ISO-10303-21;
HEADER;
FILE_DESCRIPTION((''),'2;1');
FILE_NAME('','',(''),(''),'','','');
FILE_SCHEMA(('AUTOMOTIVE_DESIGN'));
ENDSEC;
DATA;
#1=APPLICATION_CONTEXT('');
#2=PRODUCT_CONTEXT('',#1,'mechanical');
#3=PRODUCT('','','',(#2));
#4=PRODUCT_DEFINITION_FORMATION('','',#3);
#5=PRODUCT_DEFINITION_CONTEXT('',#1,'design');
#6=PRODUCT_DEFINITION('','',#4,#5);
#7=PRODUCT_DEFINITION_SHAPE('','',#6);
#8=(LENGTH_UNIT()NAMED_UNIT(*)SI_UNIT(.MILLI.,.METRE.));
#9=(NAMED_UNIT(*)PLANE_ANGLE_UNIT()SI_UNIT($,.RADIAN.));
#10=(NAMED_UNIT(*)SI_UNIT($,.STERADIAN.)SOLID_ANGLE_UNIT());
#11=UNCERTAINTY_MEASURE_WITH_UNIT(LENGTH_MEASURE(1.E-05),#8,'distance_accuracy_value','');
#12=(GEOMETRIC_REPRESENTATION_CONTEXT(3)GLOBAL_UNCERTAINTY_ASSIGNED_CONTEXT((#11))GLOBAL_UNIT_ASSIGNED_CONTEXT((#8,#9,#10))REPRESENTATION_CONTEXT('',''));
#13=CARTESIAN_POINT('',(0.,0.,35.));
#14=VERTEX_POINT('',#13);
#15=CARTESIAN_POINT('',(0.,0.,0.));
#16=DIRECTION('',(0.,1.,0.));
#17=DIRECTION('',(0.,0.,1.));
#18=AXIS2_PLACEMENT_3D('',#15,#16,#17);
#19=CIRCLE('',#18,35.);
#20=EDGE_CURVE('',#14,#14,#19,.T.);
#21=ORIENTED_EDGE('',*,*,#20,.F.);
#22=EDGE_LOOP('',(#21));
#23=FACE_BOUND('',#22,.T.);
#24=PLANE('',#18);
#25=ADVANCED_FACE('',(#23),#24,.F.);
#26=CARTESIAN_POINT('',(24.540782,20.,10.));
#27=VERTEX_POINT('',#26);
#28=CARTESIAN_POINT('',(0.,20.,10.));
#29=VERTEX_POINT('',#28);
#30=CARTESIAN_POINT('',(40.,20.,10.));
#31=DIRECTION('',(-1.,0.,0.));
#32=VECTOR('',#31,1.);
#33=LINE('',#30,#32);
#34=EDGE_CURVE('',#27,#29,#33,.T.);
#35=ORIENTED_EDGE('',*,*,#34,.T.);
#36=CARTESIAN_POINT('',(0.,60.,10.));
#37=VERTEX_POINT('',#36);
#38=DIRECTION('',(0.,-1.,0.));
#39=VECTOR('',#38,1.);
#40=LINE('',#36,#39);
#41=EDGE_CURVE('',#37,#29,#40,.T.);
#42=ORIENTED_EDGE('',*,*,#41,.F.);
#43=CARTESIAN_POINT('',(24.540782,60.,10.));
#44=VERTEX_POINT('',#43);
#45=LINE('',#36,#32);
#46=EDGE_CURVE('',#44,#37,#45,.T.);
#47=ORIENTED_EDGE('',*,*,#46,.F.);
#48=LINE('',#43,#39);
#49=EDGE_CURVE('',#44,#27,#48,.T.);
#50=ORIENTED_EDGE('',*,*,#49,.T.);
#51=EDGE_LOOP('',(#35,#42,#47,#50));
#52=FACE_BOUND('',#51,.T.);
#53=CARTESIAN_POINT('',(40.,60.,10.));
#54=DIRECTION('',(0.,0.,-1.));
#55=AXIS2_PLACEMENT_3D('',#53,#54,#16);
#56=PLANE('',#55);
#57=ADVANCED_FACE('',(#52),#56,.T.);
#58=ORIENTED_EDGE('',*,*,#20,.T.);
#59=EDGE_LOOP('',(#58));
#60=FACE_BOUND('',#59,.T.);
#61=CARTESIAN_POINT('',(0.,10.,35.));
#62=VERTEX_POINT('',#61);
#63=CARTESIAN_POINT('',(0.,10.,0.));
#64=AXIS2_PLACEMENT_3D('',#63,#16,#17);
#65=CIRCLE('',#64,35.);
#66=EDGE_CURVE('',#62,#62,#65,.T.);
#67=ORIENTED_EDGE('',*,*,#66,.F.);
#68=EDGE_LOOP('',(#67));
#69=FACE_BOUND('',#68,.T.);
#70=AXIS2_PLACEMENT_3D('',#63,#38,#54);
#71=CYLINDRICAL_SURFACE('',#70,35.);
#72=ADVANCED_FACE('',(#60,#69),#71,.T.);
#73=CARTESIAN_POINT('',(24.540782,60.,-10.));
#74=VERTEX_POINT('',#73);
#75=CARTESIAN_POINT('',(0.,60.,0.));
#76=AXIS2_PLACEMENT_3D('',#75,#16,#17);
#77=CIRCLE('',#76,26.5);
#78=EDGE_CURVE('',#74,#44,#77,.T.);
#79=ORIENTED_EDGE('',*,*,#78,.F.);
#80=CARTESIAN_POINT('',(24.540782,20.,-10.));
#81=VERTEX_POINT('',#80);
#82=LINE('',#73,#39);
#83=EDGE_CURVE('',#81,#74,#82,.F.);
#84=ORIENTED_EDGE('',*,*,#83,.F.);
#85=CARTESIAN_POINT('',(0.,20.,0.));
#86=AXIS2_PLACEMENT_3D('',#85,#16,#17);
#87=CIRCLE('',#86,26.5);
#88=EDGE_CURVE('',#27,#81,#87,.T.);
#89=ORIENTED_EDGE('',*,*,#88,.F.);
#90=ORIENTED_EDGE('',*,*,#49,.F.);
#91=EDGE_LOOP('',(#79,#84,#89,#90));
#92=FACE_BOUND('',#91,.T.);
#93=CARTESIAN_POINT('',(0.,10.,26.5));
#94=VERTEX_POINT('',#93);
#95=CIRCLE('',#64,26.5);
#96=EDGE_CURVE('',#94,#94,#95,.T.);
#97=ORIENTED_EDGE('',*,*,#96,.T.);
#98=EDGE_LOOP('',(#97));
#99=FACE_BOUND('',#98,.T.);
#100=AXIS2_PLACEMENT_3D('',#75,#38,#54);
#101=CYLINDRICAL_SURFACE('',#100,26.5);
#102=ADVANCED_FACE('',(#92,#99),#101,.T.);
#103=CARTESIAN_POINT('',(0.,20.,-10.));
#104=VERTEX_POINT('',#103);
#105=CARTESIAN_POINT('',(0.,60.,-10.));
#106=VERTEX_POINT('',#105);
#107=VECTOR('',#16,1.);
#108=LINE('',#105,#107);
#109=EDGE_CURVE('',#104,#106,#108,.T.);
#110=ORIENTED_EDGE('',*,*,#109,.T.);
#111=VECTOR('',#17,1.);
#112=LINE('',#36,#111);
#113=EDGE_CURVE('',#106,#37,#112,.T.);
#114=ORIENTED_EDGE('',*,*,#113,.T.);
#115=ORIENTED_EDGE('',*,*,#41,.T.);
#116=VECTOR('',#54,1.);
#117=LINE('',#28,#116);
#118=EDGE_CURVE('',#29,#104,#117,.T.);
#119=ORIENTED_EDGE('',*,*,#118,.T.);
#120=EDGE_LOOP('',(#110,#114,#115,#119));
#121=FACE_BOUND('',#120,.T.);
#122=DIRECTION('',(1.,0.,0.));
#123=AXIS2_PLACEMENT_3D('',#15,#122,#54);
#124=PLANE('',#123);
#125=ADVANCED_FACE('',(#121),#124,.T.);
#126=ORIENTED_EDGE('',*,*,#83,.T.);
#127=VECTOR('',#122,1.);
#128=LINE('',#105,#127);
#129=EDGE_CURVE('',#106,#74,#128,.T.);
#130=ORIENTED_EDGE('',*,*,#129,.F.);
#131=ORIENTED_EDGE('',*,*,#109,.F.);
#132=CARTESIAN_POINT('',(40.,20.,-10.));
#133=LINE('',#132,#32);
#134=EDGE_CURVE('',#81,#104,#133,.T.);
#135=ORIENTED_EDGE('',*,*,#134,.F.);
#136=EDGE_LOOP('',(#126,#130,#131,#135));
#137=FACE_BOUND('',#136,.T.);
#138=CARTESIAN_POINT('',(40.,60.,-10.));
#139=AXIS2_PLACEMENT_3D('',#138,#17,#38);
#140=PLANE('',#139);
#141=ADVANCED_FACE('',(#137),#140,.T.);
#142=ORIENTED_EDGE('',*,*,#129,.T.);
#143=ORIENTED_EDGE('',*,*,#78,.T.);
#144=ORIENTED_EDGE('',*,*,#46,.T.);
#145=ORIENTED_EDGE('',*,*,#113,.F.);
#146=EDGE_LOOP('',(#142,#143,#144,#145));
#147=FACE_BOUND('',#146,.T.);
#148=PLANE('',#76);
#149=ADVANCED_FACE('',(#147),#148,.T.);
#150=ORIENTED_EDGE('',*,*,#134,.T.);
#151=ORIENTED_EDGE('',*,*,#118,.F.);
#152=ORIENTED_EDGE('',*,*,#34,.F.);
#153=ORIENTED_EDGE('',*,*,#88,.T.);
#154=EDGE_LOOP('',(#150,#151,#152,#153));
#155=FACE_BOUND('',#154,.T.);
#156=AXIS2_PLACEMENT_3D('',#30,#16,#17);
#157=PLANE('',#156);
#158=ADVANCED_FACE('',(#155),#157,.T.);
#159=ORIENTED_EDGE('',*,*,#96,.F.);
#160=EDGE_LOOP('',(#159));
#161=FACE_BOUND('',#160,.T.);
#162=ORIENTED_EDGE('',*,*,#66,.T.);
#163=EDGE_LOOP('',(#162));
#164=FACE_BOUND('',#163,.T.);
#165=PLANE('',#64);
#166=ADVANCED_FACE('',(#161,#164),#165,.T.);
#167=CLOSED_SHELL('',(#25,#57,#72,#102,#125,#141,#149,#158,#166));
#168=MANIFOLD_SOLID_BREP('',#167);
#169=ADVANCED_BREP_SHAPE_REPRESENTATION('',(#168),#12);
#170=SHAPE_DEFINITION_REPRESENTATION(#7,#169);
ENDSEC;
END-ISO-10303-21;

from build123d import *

# Parameters (mm, degrees)
CROQUIS1_R              = 35
SALIENTE_EXTRUIR1_DEPTH = 10
CROQUIS2_R              = 26.5
SALIENTE_EXTRUIR3_DEPTH = 50
CROQUIS4_W              = 20
CROQUIS4_H              = 40
CORTAR_EXTRUIR2_DEPTH   = 40


with BuildPart() as part:
    # Croquis1 → Saliente-Extruir1 (new body)
    with BuildSketch(Plane(origin=(0, 0, 0), x_dir=(1, 0, 0), z_dir=(0, 1, 0))):
        Circle(CROQUIS1_R)
    extrude(amount=SALIENTE_EXTRUIR1_DEPTH)

    # Croquis2 → Saliente-Extruir3 (add)
    with BuildSketch(Plane(origin=(0, 10, 0), x_dir=(1, 0, 0), z_dir=(0, 1, 0))):
        Circle(CROQUIS2_R)
    extrude(amount=SALIENTE_EXTRUIR3_DEPTH)

    # Croquis4 → Cortar-Extruir2 (cut)
    with BuildSketch(Plane(origin=(0, 0, 0), x_dir=(0, 0, -1), z_dir=(1, 0, 0))):
        with Locations((0, 40)):
            Rectangle(CROQUIS4_W, CROQUIS4_H)
    extrude(amount=CORTAR_EXTRUIR2_DEPTH, mode=Mode.SUBTRACT)


solid = part.part
